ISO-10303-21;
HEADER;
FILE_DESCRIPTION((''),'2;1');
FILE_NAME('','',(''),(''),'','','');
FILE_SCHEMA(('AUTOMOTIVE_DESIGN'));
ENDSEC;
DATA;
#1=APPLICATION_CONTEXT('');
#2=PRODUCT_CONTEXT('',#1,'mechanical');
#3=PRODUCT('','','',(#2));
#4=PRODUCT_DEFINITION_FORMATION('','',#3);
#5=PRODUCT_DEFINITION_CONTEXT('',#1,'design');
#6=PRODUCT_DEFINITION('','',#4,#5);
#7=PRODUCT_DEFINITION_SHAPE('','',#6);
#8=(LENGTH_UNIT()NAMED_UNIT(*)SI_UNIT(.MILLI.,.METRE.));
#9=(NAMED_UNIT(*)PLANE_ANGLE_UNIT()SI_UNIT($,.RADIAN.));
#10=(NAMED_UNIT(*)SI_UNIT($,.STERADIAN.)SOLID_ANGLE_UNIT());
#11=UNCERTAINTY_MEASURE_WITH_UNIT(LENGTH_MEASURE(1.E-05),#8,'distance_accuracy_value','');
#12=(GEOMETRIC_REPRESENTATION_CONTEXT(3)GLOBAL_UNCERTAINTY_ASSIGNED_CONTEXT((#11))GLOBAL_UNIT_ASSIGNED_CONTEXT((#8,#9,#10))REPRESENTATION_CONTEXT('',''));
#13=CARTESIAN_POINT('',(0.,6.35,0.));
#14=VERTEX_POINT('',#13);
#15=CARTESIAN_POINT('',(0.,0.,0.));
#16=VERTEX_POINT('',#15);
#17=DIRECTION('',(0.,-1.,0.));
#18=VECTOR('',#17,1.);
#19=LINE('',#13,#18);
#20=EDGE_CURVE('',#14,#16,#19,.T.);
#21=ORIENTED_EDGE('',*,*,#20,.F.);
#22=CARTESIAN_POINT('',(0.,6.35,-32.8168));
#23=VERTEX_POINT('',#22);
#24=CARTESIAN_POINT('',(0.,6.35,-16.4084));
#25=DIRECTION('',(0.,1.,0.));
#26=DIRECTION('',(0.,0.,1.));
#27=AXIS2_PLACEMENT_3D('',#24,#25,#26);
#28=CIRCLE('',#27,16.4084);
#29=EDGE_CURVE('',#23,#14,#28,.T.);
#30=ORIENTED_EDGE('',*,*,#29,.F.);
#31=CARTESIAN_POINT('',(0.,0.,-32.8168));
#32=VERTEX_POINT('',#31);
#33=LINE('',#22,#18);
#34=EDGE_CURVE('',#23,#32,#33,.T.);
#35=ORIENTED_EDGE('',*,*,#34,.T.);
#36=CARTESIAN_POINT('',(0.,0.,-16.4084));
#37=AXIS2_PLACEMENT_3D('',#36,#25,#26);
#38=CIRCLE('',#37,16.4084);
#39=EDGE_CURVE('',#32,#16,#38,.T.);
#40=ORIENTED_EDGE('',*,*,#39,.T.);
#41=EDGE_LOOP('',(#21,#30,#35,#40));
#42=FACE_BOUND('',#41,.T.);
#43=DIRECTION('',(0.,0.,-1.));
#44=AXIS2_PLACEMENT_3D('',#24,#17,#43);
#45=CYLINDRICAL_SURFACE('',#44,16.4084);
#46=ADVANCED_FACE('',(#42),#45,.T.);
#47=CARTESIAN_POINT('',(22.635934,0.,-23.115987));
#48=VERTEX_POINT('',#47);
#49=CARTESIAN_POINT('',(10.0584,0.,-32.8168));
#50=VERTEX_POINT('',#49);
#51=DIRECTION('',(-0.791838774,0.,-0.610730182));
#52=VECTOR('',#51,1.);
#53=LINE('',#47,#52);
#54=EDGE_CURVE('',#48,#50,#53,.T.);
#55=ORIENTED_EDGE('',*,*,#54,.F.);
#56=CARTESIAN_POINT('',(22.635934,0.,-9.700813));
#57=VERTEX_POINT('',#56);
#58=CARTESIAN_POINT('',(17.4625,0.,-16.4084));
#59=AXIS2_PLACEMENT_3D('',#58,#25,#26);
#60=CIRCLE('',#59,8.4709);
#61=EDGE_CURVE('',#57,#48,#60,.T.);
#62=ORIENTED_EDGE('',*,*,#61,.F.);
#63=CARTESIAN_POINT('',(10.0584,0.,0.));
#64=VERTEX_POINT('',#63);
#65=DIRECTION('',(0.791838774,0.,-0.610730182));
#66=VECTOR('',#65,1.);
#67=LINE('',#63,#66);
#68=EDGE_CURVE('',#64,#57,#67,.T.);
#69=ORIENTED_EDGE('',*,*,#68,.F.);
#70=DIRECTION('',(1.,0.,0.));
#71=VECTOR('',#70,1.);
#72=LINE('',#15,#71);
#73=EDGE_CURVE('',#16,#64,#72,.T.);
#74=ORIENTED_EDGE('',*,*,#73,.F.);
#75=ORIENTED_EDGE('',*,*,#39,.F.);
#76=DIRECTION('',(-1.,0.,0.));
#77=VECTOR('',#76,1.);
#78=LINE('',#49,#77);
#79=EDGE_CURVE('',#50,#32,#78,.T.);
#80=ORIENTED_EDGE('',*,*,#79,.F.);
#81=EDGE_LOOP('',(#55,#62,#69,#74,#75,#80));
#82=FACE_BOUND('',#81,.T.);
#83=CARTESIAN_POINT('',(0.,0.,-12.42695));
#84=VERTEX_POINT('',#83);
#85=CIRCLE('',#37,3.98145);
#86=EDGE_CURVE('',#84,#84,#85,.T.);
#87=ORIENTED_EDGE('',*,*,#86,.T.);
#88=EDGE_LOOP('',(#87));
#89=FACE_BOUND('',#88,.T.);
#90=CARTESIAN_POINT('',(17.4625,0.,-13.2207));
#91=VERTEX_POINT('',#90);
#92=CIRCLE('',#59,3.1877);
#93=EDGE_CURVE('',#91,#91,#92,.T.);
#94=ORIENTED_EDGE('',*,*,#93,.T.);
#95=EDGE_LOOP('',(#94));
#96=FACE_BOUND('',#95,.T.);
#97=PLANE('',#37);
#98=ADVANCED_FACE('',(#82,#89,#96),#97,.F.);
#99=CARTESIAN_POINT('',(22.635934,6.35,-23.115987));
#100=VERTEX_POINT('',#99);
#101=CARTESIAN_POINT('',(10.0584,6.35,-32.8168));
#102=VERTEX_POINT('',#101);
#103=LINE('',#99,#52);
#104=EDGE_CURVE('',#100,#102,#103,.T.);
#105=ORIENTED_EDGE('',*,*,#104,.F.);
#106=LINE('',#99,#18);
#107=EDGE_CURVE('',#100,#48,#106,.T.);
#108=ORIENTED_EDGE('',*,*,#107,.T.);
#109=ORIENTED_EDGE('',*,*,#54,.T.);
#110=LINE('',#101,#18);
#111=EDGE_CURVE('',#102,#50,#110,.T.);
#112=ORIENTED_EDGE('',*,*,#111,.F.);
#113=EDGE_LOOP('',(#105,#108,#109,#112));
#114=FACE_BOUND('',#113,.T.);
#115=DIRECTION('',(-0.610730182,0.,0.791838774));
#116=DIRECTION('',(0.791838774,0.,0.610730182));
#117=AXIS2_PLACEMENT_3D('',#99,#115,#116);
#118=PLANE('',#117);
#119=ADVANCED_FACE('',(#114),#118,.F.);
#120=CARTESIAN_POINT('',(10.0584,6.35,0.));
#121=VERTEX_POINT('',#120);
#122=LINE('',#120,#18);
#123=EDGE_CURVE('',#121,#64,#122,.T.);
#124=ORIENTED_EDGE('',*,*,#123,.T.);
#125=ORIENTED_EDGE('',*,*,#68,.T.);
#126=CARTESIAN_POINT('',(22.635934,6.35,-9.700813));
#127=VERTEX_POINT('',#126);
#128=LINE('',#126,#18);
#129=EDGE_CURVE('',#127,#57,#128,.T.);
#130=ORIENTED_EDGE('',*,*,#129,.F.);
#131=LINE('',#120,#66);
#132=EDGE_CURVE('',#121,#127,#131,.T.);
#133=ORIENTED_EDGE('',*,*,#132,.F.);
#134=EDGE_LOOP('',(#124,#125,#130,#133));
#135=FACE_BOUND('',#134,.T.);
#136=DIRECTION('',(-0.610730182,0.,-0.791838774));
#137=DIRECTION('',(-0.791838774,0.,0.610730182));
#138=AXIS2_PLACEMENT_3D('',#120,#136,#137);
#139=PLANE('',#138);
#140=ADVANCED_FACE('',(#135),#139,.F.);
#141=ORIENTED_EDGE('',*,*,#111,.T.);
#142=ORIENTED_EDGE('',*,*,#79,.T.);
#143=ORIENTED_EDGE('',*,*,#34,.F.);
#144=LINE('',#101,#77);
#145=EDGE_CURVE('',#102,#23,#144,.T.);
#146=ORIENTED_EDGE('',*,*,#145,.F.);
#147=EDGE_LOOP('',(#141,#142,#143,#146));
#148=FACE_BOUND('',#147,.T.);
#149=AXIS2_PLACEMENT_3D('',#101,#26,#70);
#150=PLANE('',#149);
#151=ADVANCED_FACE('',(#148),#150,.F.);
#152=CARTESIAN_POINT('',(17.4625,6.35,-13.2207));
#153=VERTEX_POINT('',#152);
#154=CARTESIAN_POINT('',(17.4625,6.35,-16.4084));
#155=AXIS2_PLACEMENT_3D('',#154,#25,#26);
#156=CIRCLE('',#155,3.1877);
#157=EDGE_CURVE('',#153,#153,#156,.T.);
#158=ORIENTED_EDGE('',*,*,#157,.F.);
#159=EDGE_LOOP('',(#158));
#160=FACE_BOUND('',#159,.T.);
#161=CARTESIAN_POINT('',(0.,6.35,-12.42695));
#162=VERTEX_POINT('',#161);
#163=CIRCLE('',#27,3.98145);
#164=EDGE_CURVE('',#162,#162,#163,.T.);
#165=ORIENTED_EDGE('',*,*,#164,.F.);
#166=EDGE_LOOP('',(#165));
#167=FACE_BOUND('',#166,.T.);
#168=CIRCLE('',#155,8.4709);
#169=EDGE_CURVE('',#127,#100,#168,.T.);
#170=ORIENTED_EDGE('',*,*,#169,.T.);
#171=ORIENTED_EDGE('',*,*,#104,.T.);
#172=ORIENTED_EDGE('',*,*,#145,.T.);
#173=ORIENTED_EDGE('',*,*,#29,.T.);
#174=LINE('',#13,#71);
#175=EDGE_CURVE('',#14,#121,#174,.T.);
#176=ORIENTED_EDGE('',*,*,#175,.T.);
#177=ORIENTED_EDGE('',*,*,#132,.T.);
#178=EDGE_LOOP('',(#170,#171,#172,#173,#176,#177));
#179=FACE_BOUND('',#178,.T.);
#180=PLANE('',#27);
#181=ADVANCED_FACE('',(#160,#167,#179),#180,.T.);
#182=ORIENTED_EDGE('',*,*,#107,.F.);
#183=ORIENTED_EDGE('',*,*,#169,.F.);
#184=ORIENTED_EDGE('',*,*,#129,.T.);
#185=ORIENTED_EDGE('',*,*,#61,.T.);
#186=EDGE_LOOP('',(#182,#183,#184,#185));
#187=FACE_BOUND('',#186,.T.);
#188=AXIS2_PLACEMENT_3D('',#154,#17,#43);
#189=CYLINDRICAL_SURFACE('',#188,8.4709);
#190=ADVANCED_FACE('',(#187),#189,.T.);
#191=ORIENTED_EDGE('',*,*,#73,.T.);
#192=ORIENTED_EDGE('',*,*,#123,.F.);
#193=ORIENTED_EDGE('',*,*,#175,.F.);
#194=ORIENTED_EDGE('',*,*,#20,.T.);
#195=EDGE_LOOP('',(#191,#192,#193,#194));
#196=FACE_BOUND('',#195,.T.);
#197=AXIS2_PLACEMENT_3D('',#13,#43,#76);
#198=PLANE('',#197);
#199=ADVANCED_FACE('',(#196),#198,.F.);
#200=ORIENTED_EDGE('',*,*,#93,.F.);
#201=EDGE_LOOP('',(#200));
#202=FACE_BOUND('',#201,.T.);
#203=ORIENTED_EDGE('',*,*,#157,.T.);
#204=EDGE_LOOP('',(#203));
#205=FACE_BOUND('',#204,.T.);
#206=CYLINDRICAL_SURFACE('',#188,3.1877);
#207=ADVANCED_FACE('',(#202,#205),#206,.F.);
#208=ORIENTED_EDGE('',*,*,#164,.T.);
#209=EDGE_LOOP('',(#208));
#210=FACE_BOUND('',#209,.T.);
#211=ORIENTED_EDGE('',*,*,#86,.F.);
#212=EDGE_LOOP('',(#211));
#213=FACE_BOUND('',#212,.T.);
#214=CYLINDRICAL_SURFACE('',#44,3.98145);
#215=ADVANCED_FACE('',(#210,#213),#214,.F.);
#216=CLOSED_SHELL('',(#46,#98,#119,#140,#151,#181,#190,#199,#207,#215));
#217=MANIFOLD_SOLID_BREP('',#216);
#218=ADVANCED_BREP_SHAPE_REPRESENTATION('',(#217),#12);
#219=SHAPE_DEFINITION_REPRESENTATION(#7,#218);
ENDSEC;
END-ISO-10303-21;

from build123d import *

# Parameters (mm, degrees)
SKETCH1_R           = 3.98145
SKETCH1_R_2         = 3.1877
BOSS_EXTRUDE1_DEPTH = 6.35


with BuildPart() as part:
    # Sketch1 → Boss-Extrude1 (new body)
    with BuildSketch(Plane(origin=(0, 0, 0), x_dir=(1, 0, 0), z_dir=(0, 1, 0))):
        with BuildLine():
            Line((0, 0), (10.0584, 0))
            Line((10.0584, 0), (22.635934302, 9.700812927))
            ThreePointArc((22.635934302, 9.700812927), (25.9334, 16.4084), (22.635934302, 23.115987073))
            Line((22.635934302, 23.115987073), (10.0584, 32.8168))
            Line((10.0584, 32.8168), (0, 32.8168))
            ThreePointArc((0, 32.8168), (-16.4084, 16.4084), (0, 0))
        make_face()
        with Locations(Location((0, 16.4084, 0), (0, 0, 270))):
            Circle(SKETCH1_R, mode=Mode.SUBTRACT)
        with Locations(Location((17.4625, 16.4084, 0), (0, 0, 270))):
            Circle(SKETCH1_R_2, mode=Mode.SUBTRACT)
    extrude(amount=BOSS_EXTRUDE1_DEPTH)


solid = part.part
